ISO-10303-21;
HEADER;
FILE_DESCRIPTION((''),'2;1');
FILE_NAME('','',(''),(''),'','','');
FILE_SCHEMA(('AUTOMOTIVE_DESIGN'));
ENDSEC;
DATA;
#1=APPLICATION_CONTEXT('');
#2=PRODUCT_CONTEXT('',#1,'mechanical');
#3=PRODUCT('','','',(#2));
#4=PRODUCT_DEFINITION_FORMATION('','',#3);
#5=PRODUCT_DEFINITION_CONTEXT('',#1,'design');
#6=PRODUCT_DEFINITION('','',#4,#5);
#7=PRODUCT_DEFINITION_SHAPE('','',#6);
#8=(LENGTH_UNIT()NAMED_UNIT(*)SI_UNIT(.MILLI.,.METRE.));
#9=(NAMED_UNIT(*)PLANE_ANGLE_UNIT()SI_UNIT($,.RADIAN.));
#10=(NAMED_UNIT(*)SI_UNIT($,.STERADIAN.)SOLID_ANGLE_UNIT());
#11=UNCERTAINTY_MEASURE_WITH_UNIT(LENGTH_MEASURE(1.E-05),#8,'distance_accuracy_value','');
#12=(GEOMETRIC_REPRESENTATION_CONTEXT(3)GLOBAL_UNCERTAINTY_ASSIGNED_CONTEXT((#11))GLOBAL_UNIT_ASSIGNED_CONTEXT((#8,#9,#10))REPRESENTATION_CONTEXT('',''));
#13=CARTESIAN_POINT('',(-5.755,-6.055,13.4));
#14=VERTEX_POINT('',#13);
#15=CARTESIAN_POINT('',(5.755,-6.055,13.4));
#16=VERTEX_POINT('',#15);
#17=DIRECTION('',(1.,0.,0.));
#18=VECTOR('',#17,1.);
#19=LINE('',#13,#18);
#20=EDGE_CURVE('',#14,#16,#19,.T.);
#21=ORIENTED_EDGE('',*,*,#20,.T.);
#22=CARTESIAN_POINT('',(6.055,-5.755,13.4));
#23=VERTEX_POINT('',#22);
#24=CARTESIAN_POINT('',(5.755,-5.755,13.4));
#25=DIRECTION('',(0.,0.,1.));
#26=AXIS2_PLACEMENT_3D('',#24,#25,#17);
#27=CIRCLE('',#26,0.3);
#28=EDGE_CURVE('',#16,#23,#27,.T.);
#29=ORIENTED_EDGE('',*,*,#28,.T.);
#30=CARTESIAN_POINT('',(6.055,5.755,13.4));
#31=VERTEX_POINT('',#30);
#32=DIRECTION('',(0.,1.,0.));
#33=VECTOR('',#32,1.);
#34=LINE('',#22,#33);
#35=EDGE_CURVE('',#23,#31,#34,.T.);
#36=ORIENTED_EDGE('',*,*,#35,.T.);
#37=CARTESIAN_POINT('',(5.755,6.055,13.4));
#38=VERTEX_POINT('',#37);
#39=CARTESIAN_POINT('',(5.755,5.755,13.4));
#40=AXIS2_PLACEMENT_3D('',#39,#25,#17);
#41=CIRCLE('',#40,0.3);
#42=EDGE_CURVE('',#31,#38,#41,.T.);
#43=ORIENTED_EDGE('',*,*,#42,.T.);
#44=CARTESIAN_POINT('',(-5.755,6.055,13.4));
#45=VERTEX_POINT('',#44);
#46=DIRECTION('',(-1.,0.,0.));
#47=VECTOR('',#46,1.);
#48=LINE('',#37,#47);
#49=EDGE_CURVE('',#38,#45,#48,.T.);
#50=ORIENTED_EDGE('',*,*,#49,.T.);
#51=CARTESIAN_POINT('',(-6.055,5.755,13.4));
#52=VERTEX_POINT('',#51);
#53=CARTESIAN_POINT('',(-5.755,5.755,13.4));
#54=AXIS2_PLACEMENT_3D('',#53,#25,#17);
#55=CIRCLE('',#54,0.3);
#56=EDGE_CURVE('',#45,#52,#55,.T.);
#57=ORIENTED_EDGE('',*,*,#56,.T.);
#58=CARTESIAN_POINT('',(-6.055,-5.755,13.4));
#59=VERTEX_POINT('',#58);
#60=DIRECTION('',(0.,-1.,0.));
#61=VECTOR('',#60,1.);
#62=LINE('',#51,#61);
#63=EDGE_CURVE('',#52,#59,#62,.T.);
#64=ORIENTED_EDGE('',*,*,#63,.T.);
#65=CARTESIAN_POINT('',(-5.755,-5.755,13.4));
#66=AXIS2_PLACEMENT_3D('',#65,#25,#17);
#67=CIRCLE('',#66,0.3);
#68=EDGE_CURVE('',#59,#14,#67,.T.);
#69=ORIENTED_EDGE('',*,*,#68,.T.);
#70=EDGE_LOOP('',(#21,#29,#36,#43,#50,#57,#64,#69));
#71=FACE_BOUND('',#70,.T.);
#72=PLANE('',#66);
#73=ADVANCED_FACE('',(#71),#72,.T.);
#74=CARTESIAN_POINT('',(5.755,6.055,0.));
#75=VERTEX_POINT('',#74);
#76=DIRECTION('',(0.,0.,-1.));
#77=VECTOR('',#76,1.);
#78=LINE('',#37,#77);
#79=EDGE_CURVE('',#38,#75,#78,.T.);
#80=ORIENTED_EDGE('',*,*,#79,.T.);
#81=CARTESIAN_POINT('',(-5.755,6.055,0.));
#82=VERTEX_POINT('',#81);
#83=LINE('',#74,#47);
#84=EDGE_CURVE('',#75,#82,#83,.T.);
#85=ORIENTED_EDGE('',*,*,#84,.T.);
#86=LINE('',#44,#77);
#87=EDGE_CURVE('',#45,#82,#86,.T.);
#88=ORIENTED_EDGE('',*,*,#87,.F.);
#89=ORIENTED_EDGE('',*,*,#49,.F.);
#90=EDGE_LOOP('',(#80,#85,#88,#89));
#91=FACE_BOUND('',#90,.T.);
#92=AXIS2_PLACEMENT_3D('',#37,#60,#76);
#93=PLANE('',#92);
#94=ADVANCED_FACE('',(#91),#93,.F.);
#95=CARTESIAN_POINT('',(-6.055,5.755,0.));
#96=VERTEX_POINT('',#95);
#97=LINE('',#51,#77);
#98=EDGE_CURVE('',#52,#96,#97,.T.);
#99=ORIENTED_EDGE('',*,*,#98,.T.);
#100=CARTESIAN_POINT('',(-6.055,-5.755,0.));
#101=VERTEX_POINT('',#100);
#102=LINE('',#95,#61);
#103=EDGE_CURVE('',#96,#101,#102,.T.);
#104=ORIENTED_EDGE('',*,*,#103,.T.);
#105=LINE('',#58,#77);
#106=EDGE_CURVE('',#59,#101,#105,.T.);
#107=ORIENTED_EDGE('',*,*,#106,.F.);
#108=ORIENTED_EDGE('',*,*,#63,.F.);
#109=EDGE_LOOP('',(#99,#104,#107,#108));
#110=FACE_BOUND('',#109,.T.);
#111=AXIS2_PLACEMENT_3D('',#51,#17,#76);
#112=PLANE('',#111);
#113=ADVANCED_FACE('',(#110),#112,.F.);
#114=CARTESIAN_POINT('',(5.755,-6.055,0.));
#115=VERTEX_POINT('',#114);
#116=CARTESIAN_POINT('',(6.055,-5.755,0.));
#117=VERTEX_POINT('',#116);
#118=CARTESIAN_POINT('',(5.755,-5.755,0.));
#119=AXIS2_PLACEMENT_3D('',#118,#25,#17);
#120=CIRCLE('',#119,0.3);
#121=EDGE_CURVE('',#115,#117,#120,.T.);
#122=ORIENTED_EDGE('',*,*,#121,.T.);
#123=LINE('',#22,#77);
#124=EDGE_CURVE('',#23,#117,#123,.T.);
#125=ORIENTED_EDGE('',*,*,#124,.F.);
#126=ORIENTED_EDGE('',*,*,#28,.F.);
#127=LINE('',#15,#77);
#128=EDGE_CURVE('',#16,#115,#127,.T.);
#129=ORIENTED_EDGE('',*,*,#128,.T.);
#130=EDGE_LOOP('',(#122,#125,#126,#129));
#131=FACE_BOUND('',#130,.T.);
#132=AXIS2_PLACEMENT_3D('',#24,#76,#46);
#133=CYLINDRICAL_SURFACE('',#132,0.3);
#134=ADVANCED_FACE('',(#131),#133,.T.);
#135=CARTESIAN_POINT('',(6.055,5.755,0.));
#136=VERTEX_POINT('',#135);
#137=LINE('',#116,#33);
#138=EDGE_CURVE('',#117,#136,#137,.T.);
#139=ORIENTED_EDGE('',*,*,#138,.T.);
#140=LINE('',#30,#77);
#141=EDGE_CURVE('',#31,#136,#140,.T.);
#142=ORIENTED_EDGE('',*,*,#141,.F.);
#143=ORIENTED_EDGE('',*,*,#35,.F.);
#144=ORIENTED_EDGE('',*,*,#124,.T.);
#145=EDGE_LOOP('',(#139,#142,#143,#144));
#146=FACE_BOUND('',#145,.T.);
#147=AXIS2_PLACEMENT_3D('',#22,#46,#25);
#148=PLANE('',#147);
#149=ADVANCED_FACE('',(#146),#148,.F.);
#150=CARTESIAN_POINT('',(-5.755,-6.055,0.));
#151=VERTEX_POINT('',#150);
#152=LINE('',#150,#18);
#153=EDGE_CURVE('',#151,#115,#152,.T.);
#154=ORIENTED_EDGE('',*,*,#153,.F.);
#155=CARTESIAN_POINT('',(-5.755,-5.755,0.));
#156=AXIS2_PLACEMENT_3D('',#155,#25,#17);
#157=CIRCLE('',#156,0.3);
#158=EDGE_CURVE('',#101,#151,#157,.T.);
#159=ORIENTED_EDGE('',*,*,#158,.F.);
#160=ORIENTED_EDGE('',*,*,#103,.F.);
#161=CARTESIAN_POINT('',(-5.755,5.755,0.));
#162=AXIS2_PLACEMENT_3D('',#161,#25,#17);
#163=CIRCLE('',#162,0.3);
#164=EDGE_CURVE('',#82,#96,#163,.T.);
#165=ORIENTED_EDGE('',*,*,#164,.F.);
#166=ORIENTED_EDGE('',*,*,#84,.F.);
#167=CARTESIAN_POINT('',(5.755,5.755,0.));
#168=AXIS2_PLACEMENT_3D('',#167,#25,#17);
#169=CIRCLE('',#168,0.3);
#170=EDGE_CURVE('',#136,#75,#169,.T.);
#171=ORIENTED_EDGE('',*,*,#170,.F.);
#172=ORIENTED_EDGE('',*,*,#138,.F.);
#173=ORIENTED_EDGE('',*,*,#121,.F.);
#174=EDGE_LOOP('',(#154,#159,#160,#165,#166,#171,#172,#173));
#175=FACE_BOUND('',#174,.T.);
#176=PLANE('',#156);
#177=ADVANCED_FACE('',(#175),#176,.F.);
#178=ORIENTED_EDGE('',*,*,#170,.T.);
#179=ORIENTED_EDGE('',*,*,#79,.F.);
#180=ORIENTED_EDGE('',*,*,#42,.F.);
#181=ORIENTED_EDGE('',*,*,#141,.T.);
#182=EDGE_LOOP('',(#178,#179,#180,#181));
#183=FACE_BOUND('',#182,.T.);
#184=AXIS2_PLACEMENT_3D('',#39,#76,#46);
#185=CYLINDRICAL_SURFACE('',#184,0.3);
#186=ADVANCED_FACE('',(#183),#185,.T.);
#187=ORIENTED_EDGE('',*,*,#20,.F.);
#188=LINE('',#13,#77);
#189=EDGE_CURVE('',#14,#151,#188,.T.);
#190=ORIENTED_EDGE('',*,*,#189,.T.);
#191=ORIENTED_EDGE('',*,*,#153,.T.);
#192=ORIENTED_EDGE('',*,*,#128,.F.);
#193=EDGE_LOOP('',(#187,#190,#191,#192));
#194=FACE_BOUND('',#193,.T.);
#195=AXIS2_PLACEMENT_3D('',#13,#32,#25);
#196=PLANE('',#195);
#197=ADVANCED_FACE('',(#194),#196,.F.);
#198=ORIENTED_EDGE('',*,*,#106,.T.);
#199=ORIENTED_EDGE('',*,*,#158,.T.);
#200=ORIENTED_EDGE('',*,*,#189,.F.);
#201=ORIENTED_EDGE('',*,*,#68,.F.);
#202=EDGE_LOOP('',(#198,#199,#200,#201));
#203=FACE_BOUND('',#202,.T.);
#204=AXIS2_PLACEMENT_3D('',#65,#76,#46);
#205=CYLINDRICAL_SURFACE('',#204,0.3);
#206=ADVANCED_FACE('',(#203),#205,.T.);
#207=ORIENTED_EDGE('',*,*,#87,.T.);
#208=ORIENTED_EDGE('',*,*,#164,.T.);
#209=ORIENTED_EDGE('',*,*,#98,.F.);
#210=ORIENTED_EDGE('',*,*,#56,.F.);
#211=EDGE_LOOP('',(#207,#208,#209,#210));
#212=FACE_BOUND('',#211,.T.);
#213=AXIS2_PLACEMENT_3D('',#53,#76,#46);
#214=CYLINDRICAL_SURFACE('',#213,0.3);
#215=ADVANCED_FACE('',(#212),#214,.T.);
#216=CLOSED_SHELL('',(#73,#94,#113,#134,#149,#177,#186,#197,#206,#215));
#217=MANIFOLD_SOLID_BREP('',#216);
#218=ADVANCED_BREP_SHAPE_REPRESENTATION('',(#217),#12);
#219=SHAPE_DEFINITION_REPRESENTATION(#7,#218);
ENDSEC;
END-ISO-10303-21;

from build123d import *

# Parameters (mm, degrees)
BUTTON_CAP_ENVELOPE_12P11_DEPTH = 13.4


with BuildPart() as part:
    # 草图1 → Button_cap_envelope_12p11 (new body)
    with BuildSketch(Plane.XY):
        with BuildLine():
            Line((-5.755, -6.055), (5.755, -6.055))
            ThreePointArc((5.755, -6.055), (5.967132034, -5.967132034), (6.055, -5.755))
            Line((6.055, -5.755), (6.055, 5.755))
            ThreePointArc((6.055, 5.755), (5.967132034, 5.967132034), (5.755, 6.055))
            Line((5.755, 6.055), (-5.755, 6.055))
            ThreePointArc((-5.755, 6.055), (-5.967132034, 5.967132034), (-6.055, 5.755))
            Line((-6.055, 5.755), (-6.055, -5.755))
            ThreePointArc((-6.055, -5.755), (-5.967132034, -5.967132034), (-5.755, -6.055))
        make_face()
    extrude(amount=BUTTON_CAP_ENVELOPE_12P11_DEPTH)


solid = part.part
